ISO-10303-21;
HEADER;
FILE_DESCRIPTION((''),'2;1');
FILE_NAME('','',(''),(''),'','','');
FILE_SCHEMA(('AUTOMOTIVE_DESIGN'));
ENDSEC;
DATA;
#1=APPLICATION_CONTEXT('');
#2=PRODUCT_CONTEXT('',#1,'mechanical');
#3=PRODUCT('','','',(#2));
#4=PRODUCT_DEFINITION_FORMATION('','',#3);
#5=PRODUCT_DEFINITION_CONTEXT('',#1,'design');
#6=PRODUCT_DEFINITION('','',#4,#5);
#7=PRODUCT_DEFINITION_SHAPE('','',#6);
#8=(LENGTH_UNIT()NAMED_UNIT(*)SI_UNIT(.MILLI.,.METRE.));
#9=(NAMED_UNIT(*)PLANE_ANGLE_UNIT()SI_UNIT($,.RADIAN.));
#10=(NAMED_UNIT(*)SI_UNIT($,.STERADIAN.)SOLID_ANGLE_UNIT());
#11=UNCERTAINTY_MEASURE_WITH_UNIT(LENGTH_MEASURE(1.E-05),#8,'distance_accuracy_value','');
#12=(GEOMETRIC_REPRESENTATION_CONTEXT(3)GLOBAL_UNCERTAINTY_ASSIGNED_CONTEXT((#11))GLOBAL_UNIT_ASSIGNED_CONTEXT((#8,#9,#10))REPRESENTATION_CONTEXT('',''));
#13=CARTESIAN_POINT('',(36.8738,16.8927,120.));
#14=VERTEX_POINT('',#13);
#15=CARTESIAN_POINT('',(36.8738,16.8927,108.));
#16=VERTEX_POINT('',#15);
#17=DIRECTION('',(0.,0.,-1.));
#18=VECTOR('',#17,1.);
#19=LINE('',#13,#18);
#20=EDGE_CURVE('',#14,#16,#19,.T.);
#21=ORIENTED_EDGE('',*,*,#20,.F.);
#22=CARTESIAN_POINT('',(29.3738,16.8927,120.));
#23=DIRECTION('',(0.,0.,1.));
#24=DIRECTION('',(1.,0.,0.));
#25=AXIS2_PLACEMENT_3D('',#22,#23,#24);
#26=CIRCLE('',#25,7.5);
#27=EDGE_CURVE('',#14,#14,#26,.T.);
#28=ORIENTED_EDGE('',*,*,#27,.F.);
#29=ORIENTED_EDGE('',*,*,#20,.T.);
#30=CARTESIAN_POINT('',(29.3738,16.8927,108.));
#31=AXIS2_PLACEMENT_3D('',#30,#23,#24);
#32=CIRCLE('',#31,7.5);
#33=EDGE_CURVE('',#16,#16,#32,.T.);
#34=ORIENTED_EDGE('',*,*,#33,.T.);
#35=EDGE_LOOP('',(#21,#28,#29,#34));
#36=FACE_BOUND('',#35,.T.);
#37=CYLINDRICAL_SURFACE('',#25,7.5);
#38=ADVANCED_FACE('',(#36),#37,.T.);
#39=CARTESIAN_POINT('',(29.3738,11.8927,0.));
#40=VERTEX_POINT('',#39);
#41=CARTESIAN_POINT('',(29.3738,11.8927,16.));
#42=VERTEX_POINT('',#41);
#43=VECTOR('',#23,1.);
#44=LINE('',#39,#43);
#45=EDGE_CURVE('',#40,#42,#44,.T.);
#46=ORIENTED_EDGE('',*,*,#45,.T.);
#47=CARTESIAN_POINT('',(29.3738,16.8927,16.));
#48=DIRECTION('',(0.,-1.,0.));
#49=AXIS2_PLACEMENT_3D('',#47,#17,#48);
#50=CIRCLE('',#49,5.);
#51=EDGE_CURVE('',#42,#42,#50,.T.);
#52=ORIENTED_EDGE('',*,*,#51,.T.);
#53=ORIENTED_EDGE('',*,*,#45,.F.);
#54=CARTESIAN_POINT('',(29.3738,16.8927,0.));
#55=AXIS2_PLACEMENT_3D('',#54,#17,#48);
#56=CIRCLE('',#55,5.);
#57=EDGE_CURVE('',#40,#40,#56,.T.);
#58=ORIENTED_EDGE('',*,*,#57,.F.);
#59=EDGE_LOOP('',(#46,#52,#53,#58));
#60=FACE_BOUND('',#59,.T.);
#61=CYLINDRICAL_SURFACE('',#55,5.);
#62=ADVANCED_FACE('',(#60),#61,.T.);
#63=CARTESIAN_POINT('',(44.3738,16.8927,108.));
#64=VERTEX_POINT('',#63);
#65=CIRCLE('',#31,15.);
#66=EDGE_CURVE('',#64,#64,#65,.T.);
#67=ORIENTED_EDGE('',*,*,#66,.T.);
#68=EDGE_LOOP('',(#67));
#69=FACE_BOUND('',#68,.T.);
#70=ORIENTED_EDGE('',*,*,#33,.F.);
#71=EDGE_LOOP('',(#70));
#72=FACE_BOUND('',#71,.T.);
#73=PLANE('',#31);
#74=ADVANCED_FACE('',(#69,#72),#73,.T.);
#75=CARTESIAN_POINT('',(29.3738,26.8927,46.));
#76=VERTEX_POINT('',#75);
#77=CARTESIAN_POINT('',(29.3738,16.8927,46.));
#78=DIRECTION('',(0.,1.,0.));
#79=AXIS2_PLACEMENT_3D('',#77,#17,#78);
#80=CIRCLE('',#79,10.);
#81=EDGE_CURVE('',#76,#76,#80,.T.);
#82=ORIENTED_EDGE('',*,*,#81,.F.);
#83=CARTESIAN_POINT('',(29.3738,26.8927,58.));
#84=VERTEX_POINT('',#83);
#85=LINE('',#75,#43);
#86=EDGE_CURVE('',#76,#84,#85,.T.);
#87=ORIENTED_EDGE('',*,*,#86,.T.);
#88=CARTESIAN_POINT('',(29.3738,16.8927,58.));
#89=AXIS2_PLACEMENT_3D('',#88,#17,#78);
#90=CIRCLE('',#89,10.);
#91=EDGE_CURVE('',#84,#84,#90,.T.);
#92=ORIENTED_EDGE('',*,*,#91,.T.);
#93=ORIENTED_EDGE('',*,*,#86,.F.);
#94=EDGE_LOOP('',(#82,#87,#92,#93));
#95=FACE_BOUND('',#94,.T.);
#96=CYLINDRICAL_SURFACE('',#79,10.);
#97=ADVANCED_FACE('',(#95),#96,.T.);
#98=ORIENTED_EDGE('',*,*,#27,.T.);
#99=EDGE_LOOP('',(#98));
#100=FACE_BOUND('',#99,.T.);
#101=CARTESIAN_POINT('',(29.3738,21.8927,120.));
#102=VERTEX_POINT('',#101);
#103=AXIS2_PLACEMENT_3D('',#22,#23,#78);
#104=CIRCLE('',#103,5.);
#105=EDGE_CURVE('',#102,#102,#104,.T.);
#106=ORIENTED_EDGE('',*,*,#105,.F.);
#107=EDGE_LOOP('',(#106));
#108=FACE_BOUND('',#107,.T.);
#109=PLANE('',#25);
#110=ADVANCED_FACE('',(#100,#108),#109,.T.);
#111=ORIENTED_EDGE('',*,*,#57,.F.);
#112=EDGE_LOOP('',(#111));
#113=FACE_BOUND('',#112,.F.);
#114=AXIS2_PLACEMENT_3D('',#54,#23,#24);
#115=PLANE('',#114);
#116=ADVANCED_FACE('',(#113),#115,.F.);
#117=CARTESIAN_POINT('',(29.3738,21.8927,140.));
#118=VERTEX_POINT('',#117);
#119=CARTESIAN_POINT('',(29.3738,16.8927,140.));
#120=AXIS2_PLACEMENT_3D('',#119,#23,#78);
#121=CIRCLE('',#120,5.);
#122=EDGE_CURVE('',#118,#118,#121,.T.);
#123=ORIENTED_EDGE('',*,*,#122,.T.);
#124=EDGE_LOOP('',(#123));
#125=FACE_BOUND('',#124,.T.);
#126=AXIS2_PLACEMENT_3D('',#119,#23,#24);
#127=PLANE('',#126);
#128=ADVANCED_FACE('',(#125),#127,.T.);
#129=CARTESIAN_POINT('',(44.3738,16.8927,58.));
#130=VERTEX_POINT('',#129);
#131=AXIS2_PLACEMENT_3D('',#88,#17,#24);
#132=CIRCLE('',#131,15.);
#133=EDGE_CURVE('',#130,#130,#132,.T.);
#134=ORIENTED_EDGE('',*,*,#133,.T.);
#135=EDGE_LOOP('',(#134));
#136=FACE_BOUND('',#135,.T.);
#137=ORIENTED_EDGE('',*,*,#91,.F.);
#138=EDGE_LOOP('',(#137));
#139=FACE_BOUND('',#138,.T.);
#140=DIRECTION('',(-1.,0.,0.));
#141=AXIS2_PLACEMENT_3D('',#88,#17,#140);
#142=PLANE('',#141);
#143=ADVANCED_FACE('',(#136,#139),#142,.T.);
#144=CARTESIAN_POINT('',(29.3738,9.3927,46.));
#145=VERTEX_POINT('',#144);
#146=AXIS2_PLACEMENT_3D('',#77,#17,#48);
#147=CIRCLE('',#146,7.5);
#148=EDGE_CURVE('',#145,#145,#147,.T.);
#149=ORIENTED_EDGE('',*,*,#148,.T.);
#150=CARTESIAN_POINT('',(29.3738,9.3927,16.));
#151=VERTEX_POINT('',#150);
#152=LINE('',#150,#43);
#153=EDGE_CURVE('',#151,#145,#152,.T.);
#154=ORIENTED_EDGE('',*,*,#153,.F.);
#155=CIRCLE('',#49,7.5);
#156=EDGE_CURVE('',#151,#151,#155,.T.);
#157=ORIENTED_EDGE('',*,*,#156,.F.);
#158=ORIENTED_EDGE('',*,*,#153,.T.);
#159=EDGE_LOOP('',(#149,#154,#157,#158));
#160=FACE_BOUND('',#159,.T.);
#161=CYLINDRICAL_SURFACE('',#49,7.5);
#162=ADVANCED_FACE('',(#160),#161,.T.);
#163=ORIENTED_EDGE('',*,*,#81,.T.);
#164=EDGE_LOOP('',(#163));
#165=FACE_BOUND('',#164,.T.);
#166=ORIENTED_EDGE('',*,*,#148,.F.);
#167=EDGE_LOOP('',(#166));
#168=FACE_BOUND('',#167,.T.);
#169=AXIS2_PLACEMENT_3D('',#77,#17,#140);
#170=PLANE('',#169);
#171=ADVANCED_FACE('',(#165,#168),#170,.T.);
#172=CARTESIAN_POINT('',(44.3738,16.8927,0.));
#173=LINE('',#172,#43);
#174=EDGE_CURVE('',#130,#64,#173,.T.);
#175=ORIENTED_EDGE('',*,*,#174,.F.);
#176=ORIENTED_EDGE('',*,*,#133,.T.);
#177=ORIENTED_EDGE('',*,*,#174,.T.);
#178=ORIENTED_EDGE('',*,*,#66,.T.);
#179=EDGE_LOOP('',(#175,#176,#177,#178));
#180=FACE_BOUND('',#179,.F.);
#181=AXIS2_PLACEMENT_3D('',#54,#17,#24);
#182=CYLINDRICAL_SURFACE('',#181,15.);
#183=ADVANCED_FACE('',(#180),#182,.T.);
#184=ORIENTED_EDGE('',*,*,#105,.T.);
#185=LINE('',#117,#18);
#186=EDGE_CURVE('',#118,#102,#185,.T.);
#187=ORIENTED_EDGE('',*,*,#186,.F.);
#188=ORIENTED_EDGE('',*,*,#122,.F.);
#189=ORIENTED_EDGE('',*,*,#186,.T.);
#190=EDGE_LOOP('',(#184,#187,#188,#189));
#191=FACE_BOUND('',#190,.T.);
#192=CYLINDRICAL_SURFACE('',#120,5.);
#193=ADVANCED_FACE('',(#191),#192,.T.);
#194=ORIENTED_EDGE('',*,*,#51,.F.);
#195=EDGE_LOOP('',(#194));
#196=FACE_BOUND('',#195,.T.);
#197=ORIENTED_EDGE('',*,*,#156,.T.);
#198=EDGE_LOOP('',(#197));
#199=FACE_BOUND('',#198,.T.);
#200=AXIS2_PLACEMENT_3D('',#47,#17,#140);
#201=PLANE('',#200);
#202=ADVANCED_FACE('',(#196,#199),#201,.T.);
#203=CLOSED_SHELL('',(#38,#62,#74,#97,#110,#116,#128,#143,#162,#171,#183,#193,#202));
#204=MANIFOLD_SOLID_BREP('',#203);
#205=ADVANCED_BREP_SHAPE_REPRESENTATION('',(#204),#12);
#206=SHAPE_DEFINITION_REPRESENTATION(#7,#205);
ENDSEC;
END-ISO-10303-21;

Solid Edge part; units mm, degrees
sketch "Sketch1" plane through (0, 0, 0) normal (0, 0, 1) x (1, 0, 0)
  circle A0 centre (29.3738, 16.8927) radius 15
extrude "Protrusion1" add sketch "Sketch1" along normal blind 140
sketch "Sketch2" plane through (29.3738, 16.8927, 140) normal (0, 0, 1) x (1, 0, 0)
  circle A0 centre (0, 0) radius 15
  circle A1 centre (0, 0) radius 12.5
extrude "ExtrudedCutout_1" cut sketch "Sketch2" against normal blind 32
sketch "Sketch3" plane through (29.3738, 16.8927, 140) normal (0, 0, 1) x (1, 0, 0)
  circle A0 centre (0, 0) radius 12.5
  circle A1 centre (0, 0) radius 10
extrude "ExtrudedCutout_2" cut sketch "Sketch3" against normal blind 20
sketch "Sketch4" plane through (29.3738, 16.8927, 0) normal (0, 0, -1) x (1, 0, 0)
  circle A0 centre (0, 0) radius 15
  circle A1 centre (0, 0) radius 12.5
extrude "Cutout1" cut sketch "Sketch4" against normal blind 58
sketch "Sketch5" plane through (29.3738, 16.8927, 0) normal (0, 0, -1) x (1, 0, 0)
  circle A0 centre (0, 0) radius 12.5
  circle A1 centre (0, 0) radius 10
extrude "ExtrudedCutout_4" cut sketch "Sketch5" against normal blind 46
sketch "Sketch6" plane through (29.3738, 16.8927, 0) normal (0, 0, -1) x (1, 0, 0)
  circle A0 centre (0, 0) radius 10
  circle A1 centre (0, 0) radius 7.5
extrude "ExtrudedCutout_5" cut sketch "Sketch6" against normal blind 16
sketch "Sketch7" plane through (29.3738, 16.8927, 140) normal (0, 0, 1) x (0, 1, 0)
  circle A0 centre (0, 0) radius 10
  circle A1 centre (0, 0) radius 5
extrude "ExtrudedCutout_6" cut sketch "Sketch7" against normal blind 20
sketch "Sketch8" plane through (29.3738, 16.8927, 120) normal (0, 0, 1) x (1, 0, 0)
  circle A0 centre (0, 0) radius 12.5
  circle A1 centre (0, 0) radius 7.5
extrude "Cutout2" cut sketch "Sketch8" against normal up to vertex (12 mm away)
sketch "Sketch9" plane through (29.3738, 16.8927, 0) normal (0, 0, -1) x (0, -1, 0)
  circle A0 centre (0, 0) radius 7.5
  circle A1 centre (0, 0) radius 5
extrude "Cutout3" cut sketch "Sketch9" against normal up to vertex (16 mm away)
sketch "Sketch10" plane through (29.3738, 16.8927, 16) normal (0, 0, -1) x (0, -1, 0)
  circle A0 centre (0, 0) radius 10
  circle A1 centre (0, 0) radius 7.5
extrude "ExtrudedCutout_12" cut sketch "Sketch10" against normal blind 30
sketch "Sketch11" plane through (29.3738, 16.8927, 46) normal (0, 0, -1) x (0, 1, 0)
  circle A0 centre (0, 0) radius 12.5
  circle A1 centre (0, 0) radius 10
extrude "Cutout4" cut sketch "Sketch11" against normal up to vertex (12 mm away)
